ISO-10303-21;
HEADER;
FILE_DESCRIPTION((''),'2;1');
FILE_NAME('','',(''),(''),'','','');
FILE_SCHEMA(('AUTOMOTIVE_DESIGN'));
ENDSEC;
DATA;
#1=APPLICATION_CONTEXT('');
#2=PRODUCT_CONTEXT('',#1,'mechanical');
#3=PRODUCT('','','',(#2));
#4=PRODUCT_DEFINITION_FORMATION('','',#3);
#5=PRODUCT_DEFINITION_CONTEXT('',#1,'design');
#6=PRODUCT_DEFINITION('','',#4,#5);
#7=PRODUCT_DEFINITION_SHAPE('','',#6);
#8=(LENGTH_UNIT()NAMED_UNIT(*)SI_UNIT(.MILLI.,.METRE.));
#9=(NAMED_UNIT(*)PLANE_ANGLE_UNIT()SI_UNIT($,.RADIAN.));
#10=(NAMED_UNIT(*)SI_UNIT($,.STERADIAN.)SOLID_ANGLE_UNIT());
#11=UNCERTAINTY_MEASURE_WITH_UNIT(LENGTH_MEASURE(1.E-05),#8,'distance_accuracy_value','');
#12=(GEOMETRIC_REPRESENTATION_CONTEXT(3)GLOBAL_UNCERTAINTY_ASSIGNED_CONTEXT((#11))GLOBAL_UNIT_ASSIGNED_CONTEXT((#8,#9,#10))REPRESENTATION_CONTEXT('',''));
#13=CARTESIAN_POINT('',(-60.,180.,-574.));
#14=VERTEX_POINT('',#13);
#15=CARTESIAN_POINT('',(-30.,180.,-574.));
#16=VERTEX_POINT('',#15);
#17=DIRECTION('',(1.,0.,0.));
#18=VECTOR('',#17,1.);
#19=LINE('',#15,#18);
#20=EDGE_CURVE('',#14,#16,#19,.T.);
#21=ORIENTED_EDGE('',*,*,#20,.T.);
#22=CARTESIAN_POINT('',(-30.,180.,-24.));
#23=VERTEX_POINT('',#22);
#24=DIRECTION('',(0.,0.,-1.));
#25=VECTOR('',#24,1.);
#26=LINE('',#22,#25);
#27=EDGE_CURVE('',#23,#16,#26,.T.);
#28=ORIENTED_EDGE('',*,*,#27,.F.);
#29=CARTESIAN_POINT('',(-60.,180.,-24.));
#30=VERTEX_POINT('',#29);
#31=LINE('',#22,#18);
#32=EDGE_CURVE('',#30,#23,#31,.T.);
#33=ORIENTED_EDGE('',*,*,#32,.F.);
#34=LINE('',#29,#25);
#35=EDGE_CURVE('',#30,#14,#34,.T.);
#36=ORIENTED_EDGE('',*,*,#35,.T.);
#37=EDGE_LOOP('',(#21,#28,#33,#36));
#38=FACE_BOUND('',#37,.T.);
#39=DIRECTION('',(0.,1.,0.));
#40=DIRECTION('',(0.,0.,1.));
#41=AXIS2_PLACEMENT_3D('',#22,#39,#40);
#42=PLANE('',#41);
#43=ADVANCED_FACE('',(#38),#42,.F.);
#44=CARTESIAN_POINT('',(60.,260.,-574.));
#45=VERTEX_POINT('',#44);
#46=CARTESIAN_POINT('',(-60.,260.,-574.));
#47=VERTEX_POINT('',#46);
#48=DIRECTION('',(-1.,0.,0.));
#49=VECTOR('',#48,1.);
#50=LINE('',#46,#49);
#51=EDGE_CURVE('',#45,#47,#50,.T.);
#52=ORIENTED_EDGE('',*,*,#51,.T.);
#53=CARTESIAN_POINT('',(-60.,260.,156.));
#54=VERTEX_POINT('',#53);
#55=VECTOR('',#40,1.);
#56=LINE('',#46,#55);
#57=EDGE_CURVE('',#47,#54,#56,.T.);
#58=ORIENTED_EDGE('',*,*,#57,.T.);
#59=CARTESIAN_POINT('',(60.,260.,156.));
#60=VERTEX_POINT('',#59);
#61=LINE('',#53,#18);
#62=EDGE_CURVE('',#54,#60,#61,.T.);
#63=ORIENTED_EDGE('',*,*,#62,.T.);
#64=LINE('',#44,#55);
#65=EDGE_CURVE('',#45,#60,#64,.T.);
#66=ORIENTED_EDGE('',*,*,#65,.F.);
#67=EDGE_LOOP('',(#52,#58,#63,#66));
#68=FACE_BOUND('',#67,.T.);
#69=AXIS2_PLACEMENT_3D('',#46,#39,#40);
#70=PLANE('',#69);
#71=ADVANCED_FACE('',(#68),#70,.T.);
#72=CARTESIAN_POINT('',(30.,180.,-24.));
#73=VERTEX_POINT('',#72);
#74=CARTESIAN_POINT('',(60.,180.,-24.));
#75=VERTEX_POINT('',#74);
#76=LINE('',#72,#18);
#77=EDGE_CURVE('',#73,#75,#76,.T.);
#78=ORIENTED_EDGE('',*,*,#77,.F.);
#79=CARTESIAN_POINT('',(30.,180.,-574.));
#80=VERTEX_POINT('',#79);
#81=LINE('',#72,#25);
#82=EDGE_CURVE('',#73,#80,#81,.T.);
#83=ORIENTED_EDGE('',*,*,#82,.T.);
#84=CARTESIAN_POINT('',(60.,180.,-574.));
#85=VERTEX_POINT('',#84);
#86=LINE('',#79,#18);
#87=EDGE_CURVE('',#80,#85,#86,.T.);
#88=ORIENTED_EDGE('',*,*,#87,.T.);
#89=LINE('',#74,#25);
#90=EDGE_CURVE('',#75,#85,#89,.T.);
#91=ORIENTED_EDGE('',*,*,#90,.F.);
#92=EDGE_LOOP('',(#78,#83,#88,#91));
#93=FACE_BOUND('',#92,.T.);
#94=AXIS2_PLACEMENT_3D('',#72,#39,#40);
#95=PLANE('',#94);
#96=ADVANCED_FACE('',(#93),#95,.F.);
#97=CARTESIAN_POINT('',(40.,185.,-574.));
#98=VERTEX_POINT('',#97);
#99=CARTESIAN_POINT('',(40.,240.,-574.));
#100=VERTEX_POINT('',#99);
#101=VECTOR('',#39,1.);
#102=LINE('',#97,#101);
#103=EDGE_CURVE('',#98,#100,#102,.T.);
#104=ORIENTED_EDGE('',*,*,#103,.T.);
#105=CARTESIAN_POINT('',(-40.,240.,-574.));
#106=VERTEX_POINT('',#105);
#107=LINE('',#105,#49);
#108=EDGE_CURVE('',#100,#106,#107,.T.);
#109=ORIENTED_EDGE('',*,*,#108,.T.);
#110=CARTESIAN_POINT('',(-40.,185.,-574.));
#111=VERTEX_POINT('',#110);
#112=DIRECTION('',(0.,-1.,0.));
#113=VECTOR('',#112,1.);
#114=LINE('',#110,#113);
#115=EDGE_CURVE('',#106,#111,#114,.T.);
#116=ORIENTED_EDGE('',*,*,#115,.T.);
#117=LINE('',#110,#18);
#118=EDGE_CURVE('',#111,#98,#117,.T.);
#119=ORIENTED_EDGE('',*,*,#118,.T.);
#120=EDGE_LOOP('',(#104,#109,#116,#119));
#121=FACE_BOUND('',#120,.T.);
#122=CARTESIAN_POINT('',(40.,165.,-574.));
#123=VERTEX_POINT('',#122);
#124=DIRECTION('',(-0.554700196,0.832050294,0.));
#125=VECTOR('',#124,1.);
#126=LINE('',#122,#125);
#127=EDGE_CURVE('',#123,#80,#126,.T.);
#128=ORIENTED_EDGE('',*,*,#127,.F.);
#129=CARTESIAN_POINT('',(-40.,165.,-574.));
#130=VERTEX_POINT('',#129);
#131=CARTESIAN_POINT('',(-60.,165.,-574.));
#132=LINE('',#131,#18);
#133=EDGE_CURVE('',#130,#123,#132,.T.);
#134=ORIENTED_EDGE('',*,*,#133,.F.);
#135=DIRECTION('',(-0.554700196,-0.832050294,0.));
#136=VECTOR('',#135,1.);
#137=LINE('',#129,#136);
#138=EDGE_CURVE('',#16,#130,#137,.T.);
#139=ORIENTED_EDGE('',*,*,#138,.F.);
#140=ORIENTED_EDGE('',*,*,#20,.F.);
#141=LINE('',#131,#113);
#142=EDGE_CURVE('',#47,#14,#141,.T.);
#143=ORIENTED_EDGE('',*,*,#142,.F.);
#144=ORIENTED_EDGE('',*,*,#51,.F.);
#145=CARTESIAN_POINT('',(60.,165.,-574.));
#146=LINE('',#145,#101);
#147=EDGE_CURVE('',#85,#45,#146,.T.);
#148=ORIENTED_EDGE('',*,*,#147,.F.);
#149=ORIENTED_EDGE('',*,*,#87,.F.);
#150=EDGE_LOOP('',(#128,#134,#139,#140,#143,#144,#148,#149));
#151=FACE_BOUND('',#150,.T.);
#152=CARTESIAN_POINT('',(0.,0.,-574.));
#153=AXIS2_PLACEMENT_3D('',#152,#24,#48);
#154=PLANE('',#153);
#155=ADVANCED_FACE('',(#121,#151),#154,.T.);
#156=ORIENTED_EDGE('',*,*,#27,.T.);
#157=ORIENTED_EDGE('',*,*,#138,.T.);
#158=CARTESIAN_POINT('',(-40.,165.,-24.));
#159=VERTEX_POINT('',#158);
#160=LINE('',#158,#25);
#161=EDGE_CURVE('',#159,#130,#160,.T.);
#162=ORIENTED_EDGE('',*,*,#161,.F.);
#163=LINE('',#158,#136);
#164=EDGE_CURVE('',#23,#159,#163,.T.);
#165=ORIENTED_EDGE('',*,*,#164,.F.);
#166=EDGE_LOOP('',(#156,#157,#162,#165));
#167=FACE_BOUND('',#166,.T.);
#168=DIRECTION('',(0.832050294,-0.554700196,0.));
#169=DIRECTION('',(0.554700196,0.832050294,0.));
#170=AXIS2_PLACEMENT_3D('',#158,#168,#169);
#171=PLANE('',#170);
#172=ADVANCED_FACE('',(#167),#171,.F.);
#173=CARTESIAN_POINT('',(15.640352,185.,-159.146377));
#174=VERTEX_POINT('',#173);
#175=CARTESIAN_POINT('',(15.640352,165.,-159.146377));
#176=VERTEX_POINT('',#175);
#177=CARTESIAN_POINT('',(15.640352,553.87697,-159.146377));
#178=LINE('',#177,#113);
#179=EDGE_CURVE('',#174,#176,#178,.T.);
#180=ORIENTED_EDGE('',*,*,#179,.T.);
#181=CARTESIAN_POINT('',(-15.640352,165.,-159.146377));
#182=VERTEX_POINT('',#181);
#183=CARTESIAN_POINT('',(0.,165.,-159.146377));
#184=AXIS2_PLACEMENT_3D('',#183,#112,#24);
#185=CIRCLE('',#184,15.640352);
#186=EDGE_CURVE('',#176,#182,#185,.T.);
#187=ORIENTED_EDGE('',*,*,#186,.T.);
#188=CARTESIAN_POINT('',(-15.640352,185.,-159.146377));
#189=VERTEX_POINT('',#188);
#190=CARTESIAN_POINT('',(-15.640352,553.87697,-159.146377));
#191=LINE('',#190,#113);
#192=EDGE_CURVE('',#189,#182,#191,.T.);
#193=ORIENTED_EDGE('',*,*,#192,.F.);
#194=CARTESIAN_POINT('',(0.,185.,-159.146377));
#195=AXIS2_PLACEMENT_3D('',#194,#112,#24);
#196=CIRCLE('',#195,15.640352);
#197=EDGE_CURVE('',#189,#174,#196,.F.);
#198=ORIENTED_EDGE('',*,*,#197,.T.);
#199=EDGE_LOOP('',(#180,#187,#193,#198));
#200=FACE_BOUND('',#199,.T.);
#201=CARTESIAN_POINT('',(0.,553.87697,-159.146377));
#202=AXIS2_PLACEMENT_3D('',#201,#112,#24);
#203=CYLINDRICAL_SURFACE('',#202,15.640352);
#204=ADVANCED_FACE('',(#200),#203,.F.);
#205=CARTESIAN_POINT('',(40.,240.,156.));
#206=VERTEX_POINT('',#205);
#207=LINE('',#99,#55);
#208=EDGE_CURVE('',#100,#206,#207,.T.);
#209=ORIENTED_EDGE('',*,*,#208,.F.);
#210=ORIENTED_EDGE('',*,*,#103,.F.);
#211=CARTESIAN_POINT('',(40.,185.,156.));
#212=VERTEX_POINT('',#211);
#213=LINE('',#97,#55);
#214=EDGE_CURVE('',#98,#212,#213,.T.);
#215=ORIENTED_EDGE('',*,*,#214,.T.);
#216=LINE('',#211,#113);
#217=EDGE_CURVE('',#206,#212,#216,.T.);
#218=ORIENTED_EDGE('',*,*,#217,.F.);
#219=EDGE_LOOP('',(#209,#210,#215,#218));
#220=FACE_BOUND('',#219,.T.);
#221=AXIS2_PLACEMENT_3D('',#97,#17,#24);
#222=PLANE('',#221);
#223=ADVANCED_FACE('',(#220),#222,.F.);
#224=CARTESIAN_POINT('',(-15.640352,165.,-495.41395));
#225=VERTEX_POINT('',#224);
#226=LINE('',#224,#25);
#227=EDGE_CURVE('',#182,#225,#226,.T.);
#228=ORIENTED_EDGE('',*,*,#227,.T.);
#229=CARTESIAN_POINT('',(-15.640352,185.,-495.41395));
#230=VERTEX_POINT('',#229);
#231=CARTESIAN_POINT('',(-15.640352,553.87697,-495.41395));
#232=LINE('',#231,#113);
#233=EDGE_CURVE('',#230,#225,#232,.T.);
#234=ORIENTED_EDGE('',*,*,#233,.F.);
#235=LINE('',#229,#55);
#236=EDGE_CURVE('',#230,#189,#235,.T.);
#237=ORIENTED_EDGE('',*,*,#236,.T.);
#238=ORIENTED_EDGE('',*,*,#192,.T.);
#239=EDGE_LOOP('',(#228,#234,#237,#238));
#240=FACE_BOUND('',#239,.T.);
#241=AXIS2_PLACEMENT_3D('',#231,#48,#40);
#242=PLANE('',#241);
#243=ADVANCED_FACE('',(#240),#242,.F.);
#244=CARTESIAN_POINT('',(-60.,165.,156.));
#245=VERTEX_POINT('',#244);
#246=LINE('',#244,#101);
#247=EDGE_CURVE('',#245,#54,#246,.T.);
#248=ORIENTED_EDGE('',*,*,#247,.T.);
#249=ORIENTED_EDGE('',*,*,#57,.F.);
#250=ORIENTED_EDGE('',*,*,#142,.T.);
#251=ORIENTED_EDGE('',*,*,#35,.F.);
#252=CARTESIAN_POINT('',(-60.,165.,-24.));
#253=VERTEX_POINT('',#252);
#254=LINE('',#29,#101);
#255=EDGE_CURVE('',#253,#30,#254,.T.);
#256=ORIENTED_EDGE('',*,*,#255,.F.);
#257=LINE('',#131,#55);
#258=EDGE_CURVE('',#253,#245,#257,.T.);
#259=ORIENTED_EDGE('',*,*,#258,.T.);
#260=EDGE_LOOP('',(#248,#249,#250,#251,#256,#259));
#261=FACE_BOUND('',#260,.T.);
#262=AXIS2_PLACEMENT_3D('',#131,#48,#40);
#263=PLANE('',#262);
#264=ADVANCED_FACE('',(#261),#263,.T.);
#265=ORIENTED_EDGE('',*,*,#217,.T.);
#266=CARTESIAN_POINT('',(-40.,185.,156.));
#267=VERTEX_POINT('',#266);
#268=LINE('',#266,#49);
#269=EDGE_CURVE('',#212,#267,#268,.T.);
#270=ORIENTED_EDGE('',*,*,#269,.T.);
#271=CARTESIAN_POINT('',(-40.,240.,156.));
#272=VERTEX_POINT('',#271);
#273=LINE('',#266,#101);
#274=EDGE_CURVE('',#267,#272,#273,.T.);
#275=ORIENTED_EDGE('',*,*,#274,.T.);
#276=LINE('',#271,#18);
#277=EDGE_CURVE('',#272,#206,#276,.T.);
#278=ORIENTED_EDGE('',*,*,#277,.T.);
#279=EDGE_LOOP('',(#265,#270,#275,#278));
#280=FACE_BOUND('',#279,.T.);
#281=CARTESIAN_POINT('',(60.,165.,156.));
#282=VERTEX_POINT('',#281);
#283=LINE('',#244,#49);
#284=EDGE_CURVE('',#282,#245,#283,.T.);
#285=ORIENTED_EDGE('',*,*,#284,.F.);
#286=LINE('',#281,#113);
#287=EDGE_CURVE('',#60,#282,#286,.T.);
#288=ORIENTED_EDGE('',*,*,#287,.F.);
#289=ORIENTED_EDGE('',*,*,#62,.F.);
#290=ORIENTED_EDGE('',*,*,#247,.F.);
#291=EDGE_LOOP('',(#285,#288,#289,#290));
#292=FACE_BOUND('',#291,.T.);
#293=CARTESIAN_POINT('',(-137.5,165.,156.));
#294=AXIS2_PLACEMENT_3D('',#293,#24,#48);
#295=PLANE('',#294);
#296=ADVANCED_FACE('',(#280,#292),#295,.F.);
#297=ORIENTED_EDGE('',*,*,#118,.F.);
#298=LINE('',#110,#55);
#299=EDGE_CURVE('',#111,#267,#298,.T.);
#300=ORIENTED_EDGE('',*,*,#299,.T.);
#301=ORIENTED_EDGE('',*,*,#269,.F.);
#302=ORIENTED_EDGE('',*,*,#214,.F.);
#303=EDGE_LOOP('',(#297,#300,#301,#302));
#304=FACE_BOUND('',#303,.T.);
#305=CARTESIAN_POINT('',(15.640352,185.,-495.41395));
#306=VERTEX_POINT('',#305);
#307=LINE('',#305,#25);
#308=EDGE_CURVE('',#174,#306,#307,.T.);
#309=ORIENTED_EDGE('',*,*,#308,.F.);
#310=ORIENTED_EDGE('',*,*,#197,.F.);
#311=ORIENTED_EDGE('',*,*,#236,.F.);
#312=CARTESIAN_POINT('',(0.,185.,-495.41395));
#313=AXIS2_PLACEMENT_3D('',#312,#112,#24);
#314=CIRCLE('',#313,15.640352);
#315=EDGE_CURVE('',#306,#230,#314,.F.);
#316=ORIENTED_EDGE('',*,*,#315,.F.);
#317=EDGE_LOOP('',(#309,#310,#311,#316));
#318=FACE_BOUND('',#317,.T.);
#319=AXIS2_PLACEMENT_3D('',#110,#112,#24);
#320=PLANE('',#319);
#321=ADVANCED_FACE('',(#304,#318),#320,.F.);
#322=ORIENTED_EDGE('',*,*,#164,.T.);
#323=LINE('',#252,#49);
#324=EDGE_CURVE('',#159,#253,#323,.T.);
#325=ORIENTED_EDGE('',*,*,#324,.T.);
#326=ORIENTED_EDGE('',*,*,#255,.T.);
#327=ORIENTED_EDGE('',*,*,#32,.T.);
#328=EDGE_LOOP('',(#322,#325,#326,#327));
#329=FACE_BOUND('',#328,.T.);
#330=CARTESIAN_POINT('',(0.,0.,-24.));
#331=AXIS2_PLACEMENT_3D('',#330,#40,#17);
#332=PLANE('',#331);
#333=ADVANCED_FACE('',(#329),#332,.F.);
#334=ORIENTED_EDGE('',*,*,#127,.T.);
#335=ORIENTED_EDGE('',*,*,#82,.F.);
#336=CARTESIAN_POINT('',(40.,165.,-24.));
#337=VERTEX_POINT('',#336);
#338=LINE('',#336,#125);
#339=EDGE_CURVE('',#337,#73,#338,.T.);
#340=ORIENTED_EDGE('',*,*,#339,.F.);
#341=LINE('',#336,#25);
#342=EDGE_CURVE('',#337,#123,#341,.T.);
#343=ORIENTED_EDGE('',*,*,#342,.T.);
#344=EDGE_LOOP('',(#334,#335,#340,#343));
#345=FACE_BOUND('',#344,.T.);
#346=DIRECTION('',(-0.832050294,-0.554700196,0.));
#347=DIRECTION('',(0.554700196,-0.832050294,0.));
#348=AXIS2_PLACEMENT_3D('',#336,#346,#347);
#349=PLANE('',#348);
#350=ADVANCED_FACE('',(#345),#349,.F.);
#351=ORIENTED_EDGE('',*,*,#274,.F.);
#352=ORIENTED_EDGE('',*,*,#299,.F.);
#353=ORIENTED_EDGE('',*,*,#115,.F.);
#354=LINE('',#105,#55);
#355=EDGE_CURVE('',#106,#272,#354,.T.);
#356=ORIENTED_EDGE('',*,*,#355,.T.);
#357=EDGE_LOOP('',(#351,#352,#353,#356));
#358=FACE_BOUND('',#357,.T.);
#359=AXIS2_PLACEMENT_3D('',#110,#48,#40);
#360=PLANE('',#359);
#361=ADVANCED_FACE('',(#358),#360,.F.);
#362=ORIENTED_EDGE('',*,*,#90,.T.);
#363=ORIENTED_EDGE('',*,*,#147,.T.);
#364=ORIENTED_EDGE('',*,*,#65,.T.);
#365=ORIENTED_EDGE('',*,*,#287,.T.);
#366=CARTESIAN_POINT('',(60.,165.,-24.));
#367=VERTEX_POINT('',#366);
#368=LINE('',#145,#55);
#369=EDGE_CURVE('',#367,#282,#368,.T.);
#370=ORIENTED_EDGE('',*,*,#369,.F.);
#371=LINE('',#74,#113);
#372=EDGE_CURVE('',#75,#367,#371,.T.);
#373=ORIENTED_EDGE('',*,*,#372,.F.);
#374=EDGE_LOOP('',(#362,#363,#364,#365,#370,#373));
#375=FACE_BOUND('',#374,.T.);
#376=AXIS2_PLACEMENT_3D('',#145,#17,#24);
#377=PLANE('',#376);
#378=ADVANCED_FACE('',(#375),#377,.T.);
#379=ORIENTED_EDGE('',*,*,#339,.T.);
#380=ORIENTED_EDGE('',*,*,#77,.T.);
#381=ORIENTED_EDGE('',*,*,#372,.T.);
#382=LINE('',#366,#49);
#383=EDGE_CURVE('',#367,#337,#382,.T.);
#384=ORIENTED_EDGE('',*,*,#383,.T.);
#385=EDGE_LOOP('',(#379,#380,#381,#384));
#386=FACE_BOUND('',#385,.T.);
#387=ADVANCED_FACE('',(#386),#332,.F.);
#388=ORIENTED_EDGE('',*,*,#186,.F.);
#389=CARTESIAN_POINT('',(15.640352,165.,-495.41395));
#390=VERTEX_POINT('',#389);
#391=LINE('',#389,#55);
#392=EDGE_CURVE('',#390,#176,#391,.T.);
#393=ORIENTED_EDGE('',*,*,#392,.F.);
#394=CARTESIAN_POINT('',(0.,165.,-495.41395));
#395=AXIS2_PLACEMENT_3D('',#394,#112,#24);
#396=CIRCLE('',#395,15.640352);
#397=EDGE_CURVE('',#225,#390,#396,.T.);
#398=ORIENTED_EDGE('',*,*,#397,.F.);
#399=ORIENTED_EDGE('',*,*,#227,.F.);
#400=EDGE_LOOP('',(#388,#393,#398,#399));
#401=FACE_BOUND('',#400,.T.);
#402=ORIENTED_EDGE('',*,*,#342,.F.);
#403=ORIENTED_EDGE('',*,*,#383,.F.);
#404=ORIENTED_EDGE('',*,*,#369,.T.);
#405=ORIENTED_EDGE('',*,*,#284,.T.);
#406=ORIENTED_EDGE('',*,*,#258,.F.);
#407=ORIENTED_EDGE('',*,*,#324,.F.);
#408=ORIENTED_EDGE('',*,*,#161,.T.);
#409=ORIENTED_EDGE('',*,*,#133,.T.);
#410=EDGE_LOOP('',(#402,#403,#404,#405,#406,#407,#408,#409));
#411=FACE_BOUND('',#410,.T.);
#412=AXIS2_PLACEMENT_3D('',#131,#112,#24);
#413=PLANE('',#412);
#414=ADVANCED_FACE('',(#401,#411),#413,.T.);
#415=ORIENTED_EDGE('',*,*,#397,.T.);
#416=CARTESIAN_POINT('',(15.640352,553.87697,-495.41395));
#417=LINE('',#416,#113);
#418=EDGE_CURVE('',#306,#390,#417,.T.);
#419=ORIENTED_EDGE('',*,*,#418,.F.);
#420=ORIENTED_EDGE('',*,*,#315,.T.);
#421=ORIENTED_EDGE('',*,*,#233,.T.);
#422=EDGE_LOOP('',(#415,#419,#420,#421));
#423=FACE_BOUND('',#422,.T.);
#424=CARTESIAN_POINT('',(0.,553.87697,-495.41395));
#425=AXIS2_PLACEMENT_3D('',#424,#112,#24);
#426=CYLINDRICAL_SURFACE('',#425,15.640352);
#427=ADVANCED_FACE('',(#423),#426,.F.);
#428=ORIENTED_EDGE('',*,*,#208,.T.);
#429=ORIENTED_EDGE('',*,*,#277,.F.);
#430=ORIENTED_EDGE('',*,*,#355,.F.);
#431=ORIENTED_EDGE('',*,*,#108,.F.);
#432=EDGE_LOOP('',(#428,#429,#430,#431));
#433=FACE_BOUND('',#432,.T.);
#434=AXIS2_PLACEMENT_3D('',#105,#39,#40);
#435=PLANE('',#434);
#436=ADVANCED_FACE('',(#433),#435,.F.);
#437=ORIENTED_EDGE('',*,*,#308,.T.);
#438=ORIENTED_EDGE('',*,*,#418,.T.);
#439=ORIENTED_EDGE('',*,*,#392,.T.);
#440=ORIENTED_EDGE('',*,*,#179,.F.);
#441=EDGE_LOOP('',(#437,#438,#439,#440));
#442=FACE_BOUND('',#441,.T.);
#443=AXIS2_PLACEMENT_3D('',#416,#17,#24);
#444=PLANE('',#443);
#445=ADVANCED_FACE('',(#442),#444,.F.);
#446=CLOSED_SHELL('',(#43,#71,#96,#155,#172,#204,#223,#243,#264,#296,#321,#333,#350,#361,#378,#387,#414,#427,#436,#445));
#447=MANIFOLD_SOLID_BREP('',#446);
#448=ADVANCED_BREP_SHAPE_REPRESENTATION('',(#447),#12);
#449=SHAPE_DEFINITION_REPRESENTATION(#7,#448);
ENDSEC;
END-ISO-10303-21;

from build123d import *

# Parameters (mm, degrees)
SKETCH1_W                = 120
SKETCH1_H                = 95
SKETCH1_W_2              = 80
SKETCH1_H_2              = 55
BOSS_EXTRUDE1_DEPTH      = 156
BOSS_EXTRUDE1_DEPTH_BACK = 574
CUT_EXTRUDE1_DEPTH       = 550
CUT_EXTRUDE2_DEPTH       = 20


with BuildPart() as part:
    # Sketch1 → Boss-Extrude1 (new body, two sides)
    with BuildSketch(Plane.XY) as boss_extrude1_sk:
        with Locations((0, 212.5)):
            Rectangle(SKETCH1_W, SKETCH1_H)
        with Locations((0, 212.5)):
            Rectangle(SKETCH1_W_2, SKETCH1_H_2, mode=Mode.SUBTRACT)
    extrude(amount=BOSS_EXTRUDE1_DEPTH)
    extrude(boss_extrude1_sk.sketch, amount=-BOSS_EXTRUDE1_DEPTH_BACK)

    # Sketch2 → Cut-Extrude1 (cut)
    with BuildSketch(Plane(origin=(0, 0, -574), x_dir=(-1, 0, 0), z_dir=(0, 0, -1))):
        Polygon((-40, 165), (-30, 180), (-60, 180), (-60, 165), align=None)
        Polygon((30, 180), (60, 180), (60, 165), (40, 165), align=None)
    extrude(amount=-CUT_EXTRUDE1_DEPTH, mode=Mode.SUBTRACT)

    # Sketch3 → Cut-Extrude2 (cut)
    with BuildSketch(Plane.XZ.offset(-165)):
        with BuildLine():
            Line((-15.640352243, -495.413950444), (-15.640352243, -159.146377226))
            ThreePointArc((-15.640352243, -159.146377226), (0, -143.506024984), (15.640352243, -159.146377226))
            Line((15.640352243, -159.146377226), (15.640352243, -495.413950444))
            ThreePointArc((15.640352243, -495.413950444), (0, -511.054302687), (-15.640352243, -495.413950444))
        make_face()
    extrude(amount=-CUT_EXTRUDE2_DEPTH, mode=Mode.SUBTRACT)


solid = part.part
